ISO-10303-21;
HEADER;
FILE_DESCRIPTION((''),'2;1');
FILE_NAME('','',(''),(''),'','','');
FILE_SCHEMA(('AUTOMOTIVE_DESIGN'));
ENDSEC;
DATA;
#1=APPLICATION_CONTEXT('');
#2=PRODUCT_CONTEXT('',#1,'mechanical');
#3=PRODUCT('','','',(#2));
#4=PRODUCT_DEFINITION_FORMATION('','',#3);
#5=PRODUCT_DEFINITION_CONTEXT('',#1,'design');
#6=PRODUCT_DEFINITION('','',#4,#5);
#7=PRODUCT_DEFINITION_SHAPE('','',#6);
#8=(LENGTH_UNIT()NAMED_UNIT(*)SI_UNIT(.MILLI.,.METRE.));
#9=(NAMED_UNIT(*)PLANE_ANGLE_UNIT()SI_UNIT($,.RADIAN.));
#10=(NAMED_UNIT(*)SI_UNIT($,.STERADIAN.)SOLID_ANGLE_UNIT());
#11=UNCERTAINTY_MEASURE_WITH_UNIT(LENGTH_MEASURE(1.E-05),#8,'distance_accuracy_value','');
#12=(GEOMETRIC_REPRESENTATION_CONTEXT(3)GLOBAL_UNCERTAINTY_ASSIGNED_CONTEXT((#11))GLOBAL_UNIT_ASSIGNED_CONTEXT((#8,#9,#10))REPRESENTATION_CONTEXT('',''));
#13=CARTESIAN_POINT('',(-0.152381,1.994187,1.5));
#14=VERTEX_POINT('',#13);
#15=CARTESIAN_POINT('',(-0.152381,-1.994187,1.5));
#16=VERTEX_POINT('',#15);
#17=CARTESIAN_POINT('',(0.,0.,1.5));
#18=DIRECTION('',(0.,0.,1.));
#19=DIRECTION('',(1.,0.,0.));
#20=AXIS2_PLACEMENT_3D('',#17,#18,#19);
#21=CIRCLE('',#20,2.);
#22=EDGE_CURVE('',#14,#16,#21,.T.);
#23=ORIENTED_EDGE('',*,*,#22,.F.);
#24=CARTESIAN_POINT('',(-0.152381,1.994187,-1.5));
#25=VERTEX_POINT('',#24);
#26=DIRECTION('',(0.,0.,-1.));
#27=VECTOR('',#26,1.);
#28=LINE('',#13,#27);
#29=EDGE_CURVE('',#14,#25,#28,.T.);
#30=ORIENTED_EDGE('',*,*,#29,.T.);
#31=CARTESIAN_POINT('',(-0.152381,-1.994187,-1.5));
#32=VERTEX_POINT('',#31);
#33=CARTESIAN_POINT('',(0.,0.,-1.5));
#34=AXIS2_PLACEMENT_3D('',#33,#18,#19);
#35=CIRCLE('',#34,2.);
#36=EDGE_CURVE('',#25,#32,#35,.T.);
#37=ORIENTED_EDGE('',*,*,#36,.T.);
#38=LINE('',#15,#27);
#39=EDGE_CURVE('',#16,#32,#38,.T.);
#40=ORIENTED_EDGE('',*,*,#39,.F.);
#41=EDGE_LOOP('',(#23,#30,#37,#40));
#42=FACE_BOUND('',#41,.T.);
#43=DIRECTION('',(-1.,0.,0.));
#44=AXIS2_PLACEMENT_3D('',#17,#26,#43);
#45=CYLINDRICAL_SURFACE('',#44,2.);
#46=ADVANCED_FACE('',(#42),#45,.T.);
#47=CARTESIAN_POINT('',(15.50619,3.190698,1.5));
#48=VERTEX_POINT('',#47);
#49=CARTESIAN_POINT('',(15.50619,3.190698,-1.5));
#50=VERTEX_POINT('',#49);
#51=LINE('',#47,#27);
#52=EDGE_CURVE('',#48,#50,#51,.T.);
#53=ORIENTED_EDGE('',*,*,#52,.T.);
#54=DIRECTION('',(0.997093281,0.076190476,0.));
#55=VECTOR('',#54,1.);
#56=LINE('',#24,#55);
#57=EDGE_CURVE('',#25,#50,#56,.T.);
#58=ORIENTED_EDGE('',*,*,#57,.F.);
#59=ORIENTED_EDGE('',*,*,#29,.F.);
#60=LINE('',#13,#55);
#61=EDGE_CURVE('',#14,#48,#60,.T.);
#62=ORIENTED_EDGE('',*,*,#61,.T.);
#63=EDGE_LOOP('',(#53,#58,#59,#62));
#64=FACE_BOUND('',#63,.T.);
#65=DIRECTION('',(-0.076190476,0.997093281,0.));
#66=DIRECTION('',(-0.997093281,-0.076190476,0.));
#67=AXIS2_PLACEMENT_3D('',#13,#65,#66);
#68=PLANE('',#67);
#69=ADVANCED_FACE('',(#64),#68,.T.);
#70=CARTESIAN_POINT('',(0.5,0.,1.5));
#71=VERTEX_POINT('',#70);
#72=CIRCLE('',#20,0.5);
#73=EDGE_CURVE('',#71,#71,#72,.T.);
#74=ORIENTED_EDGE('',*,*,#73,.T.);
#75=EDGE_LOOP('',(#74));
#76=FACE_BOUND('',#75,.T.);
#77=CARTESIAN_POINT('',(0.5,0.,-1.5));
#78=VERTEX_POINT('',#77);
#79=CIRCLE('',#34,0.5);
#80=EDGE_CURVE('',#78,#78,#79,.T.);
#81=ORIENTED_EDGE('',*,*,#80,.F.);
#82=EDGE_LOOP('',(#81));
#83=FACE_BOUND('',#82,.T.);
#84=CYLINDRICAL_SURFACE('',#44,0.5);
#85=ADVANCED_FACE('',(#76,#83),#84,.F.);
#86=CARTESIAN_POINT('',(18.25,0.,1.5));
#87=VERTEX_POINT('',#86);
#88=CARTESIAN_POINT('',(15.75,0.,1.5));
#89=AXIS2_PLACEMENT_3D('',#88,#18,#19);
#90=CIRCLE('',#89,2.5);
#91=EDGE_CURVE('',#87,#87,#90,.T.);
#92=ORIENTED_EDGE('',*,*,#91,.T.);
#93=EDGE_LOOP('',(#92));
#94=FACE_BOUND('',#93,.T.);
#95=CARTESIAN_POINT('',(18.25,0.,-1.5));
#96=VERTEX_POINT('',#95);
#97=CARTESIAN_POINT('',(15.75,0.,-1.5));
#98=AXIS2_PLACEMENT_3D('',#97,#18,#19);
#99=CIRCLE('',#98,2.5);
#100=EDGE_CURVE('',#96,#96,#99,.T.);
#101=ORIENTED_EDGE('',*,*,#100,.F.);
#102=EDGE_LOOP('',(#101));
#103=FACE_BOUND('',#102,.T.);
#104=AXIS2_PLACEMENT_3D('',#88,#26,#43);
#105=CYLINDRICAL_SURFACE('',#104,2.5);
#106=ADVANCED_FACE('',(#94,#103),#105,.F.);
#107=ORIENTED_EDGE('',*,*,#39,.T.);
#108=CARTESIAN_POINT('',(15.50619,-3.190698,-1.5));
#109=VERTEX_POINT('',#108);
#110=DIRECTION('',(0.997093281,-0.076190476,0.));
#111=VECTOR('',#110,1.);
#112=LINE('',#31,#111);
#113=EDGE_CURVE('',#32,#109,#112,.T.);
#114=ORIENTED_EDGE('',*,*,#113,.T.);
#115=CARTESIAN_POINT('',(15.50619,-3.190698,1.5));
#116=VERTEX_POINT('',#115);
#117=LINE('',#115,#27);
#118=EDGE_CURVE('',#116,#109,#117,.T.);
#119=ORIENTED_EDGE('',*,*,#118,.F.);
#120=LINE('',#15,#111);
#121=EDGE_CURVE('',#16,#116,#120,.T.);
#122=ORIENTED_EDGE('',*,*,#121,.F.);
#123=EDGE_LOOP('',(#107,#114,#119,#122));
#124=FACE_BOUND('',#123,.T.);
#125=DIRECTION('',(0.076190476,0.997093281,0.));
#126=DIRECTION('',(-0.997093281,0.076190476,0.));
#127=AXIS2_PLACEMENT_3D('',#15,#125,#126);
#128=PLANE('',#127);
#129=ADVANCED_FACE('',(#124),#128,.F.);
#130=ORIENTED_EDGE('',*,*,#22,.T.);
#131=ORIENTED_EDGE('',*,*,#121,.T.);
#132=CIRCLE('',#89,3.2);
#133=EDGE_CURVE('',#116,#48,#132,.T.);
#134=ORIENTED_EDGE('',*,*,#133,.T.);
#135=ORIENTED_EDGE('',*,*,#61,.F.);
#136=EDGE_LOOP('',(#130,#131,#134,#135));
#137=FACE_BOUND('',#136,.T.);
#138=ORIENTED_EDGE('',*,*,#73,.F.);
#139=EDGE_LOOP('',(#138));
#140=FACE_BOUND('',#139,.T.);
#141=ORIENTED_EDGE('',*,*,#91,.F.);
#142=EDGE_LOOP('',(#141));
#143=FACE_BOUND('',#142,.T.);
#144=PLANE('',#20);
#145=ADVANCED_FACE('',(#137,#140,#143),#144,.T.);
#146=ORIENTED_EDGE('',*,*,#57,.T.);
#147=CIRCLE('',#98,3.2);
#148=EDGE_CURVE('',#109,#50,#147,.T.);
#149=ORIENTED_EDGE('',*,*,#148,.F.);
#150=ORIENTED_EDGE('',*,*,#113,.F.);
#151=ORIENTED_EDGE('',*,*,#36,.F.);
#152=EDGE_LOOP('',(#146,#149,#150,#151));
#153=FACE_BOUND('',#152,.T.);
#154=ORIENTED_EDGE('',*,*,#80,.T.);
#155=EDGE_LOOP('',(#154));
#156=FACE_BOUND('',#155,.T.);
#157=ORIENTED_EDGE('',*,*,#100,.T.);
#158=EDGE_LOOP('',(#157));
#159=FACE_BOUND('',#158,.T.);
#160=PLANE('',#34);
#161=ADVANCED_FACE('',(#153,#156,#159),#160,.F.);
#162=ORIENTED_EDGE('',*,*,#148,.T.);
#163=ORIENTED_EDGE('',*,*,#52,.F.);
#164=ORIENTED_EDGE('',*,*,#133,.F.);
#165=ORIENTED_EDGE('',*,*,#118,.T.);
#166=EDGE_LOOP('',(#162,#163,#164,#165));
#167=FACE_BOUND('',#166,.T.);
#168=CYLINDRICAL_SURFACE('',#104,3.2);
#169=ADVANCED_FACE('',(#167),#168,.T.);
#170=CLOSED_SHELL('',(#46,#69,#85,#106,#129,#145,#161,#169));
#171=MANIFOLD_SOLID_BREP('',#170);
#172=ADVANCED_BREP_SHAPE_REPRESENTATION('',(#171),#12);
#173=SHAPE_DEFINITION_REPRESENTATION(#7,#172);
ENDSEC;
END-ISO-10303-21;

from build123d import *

# Parameters (mm, degrees)
CROQUIS2_R              = 2.5
CROQUIS2_R_2            = 0.5
SALIENTE_EXTRUIR1_DEPTH = 1.5


with BuildPart() as part:
    # Croquis2 → Saliente-Extruir1 (new, symmetric)
    with BuildSketch(Plane.XY):
        with BuildLine():
            ThreePointArc((-0.152380952, 1.994186562), (-2, 0), (-0.152380952, -1.994186562))
            Line((-0.152380952, -1.994186562), (15.506190476, -3.1906985))
            ThreePointArc((15.506190476, -3.1906985), (18.95, 0), (15.506190476, 3.1906985))
            Line((15.506190476, 3.1906985), (-0.152380952, 1.994186562))
        make_face()
        with Locations((15.75, 0)):
            Circle(CROQUIS2_R, mode=Mode.SUBTRACT)
        Circle(CROQUIS2_R_2, mode=Mode.SUBTRACT)
    extrude(amount=SALIENTE_EXTRUIR1_DEPTH, both=True)


solid = part.part
